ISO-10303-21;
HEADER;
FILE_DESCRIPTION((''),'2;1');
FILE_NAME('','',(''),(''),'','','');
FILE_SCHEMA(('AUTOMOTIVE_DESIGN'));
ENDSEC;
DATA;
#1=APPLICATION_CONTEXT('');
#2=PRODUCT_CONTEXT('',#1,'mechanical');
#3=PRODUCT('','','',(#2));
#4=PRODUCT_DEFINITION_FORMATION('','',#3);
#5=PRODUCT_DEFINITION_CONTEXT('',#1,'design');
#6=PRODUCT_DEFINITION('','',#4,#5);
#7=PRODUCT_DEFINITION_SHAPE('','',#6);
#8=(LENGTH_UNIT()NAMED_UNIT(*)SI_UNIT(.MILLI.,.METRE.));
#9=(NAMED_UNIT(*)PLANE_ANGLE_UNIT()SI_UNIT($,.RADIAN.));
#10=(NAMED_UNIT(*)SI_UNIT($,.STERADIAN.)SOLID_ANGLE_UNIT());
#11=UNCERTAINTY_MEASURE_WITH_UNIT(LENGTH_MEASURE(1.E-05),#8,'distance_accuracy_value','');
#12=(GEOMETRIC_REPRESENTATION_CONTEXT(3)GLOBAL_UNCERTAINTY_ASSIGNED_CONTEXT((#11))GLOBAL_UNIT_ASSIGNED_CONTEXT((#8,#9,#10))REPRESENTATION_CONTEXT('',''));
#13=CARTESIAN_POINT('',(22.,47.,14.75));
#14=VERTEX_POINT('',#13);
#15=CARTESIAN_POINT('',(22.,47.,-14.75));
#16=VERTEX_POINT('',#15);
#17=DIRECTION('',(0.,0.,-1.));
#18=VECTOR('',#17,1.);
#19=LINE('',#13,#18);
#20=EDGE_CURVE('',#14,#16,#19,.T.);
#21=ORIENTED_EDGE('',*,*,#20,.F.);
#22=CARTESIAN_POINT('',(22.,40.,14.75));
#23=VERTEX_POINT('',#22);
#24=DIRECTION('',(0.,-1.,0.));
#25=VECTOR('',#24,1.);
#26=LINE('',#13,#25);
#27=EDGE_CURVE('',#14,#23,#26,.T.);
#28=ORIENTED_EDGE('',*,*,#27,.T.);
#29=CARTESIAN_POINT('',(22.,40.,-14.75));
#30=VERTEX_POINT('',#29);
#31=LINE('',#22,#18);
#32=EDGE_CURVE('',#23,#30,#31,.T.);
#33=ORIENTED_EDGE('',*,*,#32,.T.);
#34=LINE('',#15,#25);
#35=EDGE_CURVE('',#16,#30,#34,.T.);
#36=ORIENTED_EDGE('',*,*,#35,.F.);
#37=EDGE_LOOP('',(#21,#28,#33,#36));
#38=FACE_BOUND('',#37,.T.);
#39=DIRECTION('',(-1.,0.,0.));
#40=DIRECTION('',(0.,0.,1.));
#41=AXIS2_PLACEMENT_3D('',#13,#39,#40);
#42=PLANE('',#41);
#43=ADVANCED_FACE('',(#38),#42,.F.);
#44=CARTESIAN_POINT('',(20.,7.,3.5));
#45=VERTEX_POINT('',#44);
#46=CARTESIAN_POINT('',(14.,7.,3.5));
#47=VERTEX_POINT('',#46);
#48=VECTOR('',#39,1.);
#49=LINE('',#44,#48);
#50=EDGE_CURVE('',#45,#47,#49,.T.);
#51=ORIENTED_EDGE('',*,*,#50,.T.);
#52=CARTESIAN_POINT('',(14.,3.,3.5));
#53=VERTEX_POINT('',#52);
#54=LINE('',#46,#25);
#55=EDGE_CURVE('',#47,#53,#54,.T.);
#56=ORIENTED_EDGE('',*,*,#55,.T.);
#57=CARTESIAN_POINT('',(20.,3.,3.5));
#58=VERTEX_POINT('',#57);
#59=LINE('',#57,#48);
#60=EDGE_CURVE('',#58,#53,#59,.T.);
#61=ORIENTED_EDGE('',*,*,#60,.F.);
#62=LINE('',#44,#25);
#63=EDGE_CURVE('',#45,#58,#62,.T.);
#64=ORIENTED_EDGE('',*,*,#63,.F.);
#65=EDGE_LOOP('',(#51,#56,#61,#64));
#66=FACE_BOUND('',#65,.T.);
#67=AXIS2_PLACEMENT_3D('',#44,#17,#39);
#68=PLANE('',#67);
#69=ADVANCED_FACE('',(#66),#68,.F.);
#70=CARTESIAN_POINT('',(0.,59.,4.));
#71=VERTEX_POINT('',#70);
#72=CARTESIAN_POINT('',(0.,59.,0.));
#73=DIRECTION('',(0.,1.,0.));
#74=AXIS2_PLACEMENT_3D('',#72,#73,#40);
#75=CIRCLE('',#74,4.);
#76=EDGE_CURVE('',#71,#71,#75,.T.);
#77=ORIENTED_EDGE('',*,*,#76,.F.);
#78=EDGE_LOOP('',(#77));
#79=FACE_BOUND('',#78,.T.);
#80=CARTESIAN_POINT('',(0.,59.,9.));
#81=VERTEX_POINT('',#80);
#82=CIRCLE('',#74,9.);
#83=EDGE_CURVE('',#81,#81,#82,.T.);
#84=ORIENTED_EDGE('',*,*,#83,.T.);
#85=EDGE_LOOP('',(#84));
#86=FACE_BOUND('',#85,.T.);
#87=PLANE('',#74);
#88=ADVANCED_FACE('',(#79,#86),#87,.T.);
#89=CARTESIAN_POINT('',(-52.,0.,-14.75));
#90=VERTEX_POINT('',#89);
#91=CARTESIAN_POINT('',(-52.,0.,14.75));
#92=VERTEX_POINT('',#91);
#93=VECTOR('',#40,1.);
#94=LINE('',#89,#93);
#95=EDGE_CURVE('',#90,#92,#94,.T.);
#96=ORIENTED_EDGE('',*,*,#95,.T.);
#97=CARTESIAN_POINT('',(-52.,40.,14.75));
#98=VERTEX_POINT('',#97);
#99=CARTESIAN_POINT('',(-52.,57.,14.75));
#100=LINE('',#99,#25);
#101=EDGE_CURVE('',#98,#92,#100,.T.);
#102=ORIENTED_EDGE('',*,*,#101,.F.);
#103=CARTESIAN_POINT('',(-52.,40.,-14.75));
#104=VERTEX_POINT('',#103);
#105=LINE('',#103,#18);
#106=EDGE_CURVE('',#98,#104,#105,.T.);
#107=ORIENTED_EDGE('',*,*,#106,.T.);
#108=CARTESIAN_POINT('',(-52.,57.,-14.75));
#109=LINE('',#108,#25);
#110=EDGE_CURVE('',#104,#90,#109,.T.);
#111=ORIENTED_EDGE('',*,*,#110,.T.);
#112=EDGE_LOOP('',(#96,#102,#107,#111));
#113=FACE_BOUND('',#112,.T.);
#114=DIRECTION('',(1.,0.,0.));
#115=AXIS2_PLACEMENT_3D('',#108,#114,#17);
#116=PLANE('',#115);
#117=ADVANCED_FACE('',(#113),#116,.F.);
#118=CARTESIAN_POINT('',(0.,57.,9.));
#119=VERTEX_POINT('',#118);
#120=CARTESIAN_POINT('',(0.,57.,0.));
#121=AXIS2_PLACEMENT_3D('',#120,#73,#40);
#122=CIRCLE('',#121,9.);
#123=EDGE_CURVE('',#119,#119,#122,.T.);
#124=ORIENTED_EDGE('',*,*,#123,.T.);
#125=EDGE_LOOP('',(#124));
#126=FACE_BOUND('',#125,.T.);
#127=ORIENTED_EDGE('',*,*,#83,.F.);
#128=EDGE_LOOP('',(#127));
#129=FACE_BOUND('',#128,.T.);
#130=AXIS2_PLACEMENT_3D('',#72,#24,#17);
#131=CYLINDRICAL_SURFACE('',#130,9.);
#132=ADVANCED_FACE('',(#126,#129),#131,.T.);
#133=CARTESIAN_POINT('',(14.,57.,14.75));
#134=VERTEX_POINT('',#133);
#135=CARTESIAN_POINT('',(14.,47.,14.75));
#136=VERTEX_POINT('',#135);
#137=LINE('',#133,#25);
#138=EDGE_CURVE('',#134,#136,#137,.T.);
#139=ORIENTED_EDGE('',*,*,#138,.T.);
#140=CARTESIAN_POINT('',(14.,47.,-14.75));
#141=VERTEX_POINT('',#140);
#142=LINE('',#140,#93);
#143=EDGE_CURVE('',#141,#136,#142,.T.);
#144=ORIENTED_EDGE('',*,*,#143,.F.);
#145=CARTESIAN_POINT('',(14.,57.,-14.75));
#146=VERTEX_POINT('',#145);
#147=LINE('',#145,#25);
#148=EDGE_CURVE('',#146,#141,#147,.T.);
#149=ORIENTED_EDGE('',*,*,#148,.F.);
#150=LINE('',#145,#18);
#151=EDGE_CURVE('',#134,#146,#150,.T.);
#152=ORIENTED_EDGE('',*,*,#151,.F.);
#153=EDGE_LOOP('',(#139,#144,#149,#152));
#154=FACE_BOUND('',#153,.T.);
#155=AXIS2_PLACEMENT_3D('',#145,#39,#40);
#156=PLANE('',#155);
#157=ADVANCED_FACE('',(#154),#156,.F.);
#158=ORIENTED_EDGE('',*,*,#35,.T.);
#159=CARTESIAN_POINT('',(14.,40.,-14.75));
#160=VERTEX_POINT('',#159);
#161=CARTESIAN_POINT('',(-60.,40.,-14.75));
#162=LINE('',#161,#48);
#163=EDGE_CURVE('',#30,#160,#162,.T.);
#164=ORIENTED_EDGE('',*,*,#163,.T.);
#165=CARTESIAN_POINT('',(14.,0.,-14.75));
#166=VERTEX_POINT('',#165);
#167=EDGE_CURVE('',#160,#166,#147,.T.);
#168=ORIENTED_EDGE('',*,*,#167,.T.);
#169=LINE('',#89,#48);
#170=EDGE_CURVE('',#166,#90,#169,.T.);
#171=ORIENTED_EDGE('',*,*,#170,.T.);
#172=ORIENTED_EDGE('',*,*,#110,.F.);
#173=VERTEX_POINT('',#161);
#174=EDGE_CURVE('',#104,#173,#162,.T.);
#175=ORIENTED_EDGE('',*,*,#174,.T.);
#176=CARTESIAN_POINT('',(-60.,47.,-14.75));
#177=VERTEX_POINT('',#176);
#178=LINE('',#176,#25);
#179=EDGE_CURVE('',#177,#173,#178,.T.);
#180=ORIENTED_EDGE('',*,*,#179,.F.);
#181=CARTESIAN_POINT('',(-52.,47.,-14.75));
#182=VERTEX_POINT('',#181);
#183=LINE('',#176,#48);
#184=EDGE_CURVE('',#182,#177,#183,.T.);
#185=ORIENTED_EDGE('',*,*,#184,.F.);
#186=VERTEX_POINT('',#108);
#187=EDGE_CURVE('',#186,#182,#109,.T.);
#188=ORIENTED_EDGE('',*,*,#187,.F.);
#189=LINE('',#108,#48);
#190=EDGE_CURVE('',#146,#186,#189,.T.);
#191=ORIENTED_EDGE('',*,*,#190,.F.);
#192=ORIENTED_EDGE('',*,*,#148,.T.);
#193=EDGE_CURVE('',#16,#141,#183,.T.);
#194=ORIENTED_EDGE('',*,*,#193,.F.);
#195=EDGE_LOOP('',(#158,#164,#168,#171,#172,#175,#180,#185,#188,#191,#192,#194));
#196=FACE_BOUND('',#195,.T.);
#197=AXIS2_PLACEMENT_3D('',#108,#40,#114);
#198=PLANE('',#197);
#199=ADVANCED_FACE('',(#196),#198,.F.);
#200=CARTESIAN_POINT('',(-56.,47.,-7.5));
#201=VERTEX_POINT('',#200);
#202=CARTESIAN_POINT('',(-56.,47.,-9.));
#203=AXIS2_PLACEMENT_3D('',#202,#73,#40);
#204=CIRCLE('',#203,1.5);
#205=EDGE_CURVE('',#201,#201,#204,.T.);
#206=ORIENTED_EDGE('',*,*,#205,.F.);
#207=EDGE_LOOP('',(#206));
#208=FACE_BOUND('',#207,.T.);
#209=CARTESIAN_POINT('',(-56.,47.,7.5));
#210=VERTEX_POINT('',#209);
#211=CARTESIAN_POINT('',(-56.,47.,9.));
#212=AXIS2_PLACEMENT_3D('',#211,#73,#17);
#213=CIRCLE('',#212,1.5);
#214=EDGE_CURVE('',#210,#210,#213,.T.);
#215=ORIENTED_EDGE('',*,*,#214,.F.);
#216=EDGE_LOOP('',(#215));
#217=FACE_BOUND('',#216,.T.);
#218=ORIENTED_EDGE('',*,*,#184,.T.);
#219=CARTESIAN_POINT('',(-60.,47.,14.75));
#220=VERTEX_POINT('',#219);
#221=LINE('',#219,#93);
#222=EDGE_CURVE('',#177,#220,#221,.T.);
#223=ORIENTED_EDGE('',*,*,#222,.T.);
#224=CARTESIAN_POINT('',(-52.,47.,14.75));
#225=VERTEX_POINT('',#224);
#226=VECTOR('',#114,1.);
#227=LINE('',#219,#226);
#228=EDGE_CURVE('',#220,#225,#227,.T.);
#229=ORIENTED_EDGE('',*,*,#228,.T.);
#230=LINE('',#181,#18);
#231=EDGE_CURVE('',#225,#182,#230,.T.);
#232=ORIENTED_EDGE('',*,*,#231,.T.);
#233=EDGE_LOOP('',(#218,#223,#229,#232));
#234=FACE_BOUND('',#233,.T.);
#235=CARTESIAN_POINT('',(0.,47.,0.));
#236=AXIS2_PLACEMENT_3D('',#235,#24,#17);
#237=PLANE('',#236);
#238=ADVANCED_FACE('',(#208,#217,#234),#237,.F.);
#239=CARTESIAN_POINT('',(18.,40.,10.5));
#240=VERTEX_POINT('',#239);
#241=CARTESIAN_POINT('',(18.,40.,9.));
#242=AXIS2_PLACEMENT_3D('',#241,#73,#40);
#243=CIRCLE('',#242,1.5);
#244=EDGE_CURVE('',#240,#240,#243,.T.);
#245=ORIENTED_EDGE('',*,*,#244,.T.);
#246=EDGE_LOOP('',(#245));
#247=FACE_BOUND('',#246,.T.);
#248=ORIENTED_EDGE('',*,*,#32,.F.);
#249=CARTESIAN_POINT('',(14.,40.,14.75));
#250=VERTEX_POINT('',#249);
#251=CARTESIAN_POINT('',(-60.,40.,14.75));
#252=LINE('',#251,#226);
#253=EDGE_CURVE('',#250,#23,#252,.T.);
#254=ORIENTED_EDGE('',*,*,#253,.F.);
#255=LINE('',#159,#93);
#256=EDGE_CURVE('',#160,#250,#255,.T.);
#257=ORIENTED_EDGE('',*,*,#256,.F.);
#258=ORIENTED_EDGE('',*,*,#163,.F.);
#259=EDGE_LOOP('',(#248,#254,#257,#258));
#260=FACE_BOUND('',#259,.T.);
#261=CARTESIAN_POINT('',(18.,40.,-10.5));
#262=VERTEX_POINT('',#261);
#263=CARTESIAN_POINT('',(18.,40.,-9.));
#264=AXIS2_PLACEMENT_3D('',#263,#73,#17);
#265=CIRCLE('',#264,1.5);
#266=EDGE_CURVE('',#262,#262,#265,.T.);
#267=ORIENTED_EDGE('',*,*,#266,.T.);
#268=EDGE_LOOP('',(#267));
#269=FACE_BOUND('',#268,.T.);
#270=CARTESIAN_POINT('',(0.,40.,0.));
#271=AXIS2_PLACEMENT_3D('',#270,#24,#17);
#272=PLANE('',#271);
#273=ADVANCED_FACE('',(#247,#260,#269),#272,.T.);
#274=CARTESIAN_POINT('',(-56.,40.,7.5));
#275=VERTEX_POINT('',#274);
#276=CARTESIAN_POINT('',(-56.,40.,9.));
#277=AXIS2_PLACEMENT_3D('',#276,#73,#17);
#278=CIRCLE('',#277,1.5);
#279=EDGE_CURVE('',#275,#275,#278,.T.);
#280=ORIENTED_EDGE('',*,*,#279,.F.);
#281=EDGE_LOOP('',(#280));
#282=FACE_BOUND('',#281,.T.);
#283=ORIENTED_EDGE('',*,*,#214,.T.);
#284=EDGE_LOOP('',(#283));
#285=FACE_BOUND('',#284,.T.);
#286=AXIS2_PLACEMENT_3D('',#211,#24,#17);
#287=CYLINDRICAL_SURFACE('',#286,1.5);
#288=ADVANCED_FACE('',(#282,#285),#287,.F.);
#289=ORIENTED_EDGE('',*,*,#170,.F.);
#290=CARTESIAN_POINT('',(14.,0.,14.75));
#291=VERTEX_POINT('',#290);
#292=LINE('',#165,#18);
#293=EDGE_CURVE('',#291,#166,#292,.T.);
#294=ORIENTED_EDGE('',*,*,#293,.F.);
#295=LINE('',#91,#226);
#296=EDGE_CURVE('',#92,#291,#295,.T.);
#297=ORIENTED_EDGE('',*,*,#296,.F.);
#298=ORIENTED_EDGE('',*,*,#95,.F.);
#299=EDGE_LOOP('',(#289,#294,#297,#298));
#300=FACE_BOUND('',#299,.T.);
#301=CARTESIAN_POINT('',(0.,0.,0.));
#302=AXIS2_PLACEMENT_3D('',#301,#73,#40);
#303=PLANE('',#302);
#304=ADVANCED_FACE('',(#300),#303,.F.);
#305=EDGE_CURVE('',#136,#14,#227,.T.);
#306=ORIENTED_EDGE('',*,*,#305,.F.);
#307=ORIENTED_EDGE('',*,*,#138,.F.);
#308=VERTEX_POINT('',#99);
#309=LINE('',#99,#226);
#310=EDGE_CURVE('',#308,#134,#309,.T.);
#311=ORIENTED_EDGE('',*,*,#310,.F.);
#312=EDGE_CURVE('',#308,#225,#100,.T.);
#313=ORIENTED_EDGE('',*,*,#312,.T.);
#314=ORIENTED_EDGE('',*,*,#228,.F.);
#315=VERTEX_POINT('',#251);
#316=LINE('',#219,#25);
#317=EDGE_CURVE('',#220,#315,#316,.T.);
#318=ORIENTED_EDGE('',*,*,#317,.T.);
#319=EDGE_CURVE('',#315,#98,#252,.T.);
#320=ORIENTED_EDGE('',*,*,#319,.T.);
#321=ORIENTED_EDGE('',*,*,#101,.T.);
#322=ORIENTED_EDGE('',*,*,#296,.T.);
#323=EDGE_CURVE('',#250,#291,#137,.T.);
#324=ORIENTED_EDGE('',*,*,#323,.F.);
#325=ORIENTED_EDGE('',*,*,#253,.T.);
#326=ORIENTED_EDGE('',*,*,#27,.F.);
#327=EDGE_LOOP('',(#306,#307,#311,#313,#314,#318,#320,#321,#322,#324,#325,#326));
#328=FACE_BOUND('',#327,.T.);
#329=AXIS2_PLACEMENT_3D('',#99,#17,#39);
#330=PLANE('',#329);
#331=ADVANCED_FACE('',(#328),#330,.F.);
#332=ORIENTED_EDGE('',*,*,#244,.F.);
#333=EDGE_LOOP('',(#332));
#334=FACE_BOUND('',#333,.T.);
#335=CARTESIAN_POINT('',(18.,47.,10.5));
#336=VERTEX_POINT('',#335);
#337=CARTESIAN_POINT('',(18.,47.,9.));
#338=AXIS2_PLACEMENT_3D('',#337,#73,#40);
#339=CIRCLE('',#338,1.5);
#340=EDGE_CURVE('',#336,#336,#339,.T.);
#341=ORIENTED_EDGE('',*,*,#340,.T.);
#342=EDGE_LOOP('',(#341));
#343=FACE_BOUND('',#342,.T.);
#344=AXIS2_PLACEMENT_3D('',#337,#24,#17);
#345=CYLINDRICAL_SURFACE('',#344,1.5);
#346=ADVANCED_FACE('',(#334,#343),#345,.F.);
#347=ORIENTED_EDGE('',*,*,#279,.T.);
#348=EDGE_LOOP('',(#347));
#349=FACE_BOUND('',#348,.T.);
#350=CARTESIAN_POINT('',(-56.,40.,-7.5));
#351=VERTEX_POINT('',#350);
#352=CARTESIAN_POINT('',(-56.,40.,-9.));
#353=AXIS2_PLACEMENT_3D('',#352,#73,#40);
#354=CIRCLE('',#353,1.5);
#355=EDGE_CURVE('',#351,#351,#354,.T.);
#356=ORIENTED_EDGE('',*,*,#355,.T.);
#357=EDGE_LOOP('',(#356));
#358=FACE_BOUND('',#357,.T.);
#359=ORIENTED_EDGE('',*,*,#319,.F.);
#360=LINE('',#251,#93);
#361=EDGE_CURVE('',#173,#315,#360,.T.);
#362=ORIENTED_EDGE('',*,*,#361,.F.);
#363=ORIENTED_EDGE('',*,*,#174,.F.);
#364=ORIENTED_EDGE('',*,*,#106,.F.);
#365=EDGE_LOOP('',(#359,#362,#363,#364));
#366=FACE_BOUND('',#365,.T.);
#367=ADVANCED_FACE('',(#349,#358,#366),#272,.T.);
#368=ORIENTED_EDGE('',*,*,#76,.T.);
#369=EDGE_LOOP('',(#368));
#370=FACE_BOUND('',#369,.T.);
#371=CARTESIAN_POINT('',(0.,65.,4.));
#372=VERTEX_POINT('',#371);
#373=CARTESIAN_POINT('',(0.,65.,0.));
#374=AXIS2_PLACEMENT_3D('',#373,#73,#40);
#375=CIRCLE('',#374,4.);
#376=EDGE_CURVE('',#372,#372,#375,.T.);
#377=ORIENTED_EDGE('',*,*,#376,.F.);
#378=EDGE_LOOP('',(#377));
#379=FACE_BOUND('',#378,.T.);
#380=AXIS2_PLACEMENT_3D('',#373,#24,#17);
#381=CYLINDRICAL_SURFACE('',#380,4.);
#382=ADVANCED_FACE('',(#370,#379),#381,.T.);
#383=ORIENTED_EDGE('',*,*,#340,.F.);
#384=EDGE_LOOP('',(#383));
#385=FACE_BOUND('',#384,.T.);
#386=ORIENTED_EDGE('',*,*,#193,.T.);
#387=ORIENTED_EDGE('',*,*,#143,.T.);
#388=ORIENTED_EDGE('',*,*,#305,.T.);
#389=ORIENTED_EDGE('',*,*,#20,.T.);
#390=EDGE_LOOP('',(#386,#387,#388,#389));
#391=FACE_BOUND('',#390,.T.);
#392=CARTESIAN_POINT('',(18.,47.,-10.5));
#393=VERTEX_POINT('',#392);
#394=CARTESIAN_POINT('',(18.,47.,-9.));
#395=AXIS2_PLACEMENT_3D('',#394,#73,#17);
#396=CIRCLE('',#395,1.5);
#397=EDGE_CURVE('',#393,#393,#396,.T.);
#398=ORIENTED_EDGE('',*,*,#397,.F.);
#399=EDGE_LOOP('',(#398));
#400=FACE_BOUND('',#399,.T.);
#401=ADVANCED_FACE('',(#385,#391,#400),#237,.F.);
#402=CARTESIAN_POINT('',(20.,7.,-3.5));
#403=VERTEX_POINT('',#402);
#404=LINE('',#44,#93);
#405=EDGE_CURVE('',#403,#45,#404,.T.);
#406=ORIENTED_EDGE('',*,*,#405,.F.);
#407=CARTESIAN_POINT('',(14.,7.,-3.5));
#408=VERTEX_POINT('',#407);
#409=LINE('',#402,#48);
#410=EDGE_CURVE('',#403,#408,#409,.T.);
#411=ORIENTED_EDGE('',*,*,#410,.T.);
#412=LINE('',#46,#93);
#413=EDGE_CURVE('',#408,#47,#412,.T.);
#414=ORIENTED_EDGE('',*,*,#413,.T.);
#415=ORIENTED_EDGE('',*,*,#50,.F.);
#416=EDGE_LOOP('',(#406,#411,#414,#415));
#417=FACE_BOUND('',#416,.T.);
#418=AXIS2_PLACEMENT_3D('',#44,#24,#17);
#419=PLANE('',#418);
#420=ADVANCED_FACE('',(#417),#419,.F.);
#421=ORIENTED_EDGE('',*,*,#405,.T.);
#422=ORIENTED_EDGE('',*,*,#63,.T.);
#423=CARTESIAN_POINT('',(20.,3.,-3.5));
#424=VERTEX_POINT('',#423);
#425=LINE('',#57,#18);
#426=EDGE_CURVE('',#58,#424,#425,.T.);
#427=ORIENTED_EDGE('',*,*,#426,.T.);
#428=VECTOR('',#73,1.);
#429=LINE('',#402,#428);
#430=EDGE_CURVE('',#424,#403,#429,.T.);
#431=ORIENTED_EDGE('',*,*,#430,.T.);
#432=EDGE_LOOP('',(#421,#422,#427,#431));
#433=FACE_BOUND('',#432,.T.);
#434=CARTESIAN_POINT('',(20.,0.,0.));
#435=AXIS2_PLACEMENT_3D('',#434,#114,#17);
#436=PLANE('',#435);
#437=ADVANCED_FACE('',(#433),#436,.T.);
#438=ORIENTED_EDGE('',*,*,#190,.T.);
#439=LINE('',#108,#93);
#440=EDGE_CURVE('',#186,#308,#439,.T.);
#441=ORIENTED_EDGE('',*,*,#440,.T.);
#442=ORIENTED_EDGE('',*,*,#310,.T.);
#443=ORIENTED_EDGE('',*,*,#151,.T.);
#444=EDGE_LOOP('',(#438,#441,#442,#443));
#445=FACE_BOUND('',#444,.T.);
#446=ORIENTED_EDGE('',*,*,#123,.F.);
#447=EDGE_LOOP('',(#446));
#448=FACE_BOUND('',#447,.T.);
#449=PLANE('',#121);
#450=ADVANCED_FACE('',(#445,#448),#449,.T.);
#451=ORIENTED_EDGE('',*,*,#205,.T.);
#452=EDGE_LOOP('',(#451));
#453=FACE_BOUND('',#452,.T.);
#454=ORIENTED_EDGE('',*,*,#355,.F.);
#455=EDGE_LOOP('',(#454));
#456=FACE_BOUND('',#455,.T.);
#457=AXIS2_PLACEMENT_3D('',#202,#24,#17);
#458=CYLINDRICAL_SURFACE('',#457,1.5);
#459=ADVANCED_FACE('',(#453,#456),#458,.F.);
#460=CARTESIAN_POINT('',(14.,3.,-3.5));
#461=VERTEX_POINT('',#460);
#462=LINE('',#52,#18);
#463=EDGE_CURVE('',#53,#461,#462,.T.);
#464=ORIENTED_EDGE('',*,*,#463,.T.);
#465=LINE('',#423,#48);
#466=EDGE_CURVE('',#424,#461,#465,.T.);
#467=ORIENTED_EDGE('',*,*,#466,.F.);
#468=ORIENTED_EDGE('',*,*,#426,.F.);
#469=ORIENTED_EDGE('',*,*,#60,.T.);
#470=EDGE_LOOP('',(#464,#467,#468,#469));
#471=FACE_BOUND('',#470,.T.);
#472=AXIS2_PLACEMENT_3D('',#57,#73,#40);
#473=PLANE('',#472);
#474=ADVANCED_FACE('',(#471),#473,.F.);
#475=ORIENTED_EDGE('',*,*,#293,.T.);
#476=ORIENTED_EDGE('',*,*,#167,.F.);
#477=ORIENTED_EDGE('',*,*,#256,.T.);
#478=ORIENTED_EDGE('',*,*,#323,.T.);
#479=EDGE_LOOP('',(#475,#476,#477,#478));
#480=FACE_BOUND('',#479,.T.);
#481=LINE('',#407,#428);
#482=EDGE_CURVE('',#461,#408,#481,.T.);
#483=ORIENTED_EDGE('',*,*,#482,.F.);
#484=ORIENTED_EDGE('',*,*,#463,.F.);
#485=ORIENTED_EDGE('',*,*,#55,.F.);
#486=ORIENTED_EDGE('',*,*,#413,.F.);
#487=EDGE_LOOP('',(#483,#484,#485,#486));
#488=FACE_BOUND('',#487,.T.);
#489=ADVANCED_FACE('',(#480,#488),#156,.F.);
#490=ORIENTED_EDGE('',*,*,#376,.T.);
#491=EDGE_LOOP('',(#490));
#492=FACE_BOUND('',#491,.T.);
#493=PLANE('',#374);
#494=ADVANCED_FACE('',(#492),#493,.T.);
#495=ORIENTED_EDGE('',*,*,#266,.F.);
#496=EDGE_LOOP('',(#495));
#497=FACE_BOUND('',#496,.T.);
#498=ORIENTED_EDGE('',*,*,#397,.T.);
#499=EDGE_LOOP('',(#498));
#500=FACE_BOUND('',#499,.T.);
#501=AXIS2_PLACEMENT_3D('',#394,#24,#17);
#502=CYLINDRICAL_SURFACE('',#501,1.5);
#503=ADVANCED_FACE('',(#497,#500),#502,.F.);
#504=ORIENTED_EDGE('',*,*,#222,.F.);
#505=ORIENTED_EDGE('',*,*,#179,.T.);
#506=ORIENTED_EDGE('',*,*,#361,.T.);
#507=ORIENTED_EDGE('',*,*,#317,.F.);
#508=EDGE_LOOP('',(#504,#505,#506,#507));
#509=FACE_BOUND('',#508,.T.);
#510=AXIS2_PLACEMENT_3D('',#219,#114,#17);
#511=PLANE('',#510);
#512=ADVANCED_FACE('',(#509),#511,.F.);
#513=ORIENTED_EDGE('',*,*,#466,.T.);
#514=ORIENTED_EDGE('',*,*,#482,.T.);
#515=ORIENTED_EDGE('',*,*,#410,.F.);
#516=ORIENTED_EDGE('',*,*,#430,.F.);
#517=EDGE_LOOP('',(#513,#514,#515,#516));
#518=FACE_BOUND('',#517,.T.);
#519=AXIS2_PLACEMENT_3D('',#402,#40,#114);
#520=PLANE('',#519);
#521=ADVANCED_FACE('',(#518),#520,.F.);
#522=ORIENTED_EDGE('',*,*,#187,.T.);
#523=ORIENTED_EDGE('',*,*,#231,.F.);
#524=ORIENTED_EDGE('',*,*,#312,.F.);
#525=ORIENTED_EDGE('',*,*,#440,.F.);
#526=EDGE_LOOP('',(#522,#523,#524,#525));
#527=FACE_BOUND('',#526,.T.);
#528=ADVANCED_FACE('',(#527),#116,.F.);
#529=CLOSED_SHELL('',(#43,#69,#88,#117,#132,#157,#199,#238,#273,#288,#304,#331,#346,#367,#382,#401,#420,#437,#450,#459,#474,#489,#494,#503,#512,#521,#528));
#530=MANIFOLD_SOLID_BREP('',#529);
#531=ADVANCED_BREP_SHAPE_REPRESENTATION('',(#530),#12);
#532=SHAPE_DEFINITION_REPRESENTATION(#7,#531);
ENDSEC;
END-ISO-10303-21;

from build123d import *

# Parameters (mm, degrees)
ESQUISSE1_W        = 66
ESQUISSE1_H        = 29.5
BOSS_EXTRU_1_DEPTH = 57
ESQUISSE2_R        = 9
BOSS_EXTRU_2_DEPTH = 2
ESQUISSE3_R        = 4
BOSS_EXTRU_3_DEPTH = 6
BOSS_EXTRU_4_START = 40
ESQUISSE4_W        = 82
ESQUISSE4_H        = 29.5
ESQUISSE4_R        = 1.5
BOSS_EXTRU_4_DEPTH = 7
ESQUISSE5_W        = 7
ESQUISSE5_H        = 4
BOSS_EXTRU_5_DEPTH = 6


with BuildPart() as part:
    # Esquisse1 → Boss.-Extru.1 (new body)
    with BuildSketch(Plane(origin=(0, 0, 0), x_dir=(1, 0, 0), z_dir=(0, 1, 0))):
        with Locations((-19, 0)):
            Rectangle(ESQUISSE1_W, ESQUISSE1_H)
    extrude(amount=BOSS_EXTRU_1_DEPTH)

    # Esquisse2 → Boss.-Extru.2 (add)
    with BuildSketch(Plane(origin=(0, 57, 0), x_dir=(1, 0, 0), z_dir=(0, 1, 0))):
        with Locations(Location((0, 0, 0), (0, 0, 270))):
            Circle(ESQUISSE2_R)
    extrude(amount=BOSS_EXTRU_2_DEPTH)

    # Esquisse3 → Boss.-Extru.3 (add)
    with BuildSketch(Plane(origin=(0, 59, 0), x_dir=(1, 0, 0), z_dir=(0, 1, 0))):
        with Locations(Location((0, 0, 0), (0, 0, 270))):
            Circle(ESQUISSE3_R)
    extrude(amount=BOSS_EXTRU_3_DEPTH)

    # Esquisse4 → Boss.-Extru.4 (add)
    with BuildSketch(Plane(origin=(0, 0, 0), x_dir=(1, 0, 0), z_dir=(0, 1, 0)).offset(BOSS_EXTRU_4_START)):
        with Locations((-19, 0)):
            Rectangle(ESQUISSE4_W, ESQUISSE4_H)
        with Locations(Location((-56, 9, 0), (0, 0, 270))):
            Circle(ESQUISSE4_R, mode=Mode.SUBTRACT)
        with Locations(Location((-56, -9, 0), (0, 0, 90))):
            Circle(ESQUISSE4_R, mode=Mode.SUBTRACT)
        with Locations(Location((18, -9, 0), (0, 0, 270))):
            Circle(ESQUISSE4_R, mode=Mode.SUBTRACT)
        with Locations(Location((18, 9, 0), (0, 0, 90))):
            Circle(ESQUISSE4_R, mode=Mode.SUBTRACT)
    extrude(amount=BOSS_EXTRU_4_DEPTH)

    # Esquisse5 → Boss.-Extru.5 (add)
    with BuildSketch(Plane(origin=(14, 0, 0), x_dir=(0, 0, -1), z_dir=(1, 0, 0))):
        with Locations((0, 5)):
            Rectangle(ESQUISSE5_W, ESQUISSE5_H)
    extrude(amount=BOSS_EXTRU_5_DEPTH)


solid = part.part
